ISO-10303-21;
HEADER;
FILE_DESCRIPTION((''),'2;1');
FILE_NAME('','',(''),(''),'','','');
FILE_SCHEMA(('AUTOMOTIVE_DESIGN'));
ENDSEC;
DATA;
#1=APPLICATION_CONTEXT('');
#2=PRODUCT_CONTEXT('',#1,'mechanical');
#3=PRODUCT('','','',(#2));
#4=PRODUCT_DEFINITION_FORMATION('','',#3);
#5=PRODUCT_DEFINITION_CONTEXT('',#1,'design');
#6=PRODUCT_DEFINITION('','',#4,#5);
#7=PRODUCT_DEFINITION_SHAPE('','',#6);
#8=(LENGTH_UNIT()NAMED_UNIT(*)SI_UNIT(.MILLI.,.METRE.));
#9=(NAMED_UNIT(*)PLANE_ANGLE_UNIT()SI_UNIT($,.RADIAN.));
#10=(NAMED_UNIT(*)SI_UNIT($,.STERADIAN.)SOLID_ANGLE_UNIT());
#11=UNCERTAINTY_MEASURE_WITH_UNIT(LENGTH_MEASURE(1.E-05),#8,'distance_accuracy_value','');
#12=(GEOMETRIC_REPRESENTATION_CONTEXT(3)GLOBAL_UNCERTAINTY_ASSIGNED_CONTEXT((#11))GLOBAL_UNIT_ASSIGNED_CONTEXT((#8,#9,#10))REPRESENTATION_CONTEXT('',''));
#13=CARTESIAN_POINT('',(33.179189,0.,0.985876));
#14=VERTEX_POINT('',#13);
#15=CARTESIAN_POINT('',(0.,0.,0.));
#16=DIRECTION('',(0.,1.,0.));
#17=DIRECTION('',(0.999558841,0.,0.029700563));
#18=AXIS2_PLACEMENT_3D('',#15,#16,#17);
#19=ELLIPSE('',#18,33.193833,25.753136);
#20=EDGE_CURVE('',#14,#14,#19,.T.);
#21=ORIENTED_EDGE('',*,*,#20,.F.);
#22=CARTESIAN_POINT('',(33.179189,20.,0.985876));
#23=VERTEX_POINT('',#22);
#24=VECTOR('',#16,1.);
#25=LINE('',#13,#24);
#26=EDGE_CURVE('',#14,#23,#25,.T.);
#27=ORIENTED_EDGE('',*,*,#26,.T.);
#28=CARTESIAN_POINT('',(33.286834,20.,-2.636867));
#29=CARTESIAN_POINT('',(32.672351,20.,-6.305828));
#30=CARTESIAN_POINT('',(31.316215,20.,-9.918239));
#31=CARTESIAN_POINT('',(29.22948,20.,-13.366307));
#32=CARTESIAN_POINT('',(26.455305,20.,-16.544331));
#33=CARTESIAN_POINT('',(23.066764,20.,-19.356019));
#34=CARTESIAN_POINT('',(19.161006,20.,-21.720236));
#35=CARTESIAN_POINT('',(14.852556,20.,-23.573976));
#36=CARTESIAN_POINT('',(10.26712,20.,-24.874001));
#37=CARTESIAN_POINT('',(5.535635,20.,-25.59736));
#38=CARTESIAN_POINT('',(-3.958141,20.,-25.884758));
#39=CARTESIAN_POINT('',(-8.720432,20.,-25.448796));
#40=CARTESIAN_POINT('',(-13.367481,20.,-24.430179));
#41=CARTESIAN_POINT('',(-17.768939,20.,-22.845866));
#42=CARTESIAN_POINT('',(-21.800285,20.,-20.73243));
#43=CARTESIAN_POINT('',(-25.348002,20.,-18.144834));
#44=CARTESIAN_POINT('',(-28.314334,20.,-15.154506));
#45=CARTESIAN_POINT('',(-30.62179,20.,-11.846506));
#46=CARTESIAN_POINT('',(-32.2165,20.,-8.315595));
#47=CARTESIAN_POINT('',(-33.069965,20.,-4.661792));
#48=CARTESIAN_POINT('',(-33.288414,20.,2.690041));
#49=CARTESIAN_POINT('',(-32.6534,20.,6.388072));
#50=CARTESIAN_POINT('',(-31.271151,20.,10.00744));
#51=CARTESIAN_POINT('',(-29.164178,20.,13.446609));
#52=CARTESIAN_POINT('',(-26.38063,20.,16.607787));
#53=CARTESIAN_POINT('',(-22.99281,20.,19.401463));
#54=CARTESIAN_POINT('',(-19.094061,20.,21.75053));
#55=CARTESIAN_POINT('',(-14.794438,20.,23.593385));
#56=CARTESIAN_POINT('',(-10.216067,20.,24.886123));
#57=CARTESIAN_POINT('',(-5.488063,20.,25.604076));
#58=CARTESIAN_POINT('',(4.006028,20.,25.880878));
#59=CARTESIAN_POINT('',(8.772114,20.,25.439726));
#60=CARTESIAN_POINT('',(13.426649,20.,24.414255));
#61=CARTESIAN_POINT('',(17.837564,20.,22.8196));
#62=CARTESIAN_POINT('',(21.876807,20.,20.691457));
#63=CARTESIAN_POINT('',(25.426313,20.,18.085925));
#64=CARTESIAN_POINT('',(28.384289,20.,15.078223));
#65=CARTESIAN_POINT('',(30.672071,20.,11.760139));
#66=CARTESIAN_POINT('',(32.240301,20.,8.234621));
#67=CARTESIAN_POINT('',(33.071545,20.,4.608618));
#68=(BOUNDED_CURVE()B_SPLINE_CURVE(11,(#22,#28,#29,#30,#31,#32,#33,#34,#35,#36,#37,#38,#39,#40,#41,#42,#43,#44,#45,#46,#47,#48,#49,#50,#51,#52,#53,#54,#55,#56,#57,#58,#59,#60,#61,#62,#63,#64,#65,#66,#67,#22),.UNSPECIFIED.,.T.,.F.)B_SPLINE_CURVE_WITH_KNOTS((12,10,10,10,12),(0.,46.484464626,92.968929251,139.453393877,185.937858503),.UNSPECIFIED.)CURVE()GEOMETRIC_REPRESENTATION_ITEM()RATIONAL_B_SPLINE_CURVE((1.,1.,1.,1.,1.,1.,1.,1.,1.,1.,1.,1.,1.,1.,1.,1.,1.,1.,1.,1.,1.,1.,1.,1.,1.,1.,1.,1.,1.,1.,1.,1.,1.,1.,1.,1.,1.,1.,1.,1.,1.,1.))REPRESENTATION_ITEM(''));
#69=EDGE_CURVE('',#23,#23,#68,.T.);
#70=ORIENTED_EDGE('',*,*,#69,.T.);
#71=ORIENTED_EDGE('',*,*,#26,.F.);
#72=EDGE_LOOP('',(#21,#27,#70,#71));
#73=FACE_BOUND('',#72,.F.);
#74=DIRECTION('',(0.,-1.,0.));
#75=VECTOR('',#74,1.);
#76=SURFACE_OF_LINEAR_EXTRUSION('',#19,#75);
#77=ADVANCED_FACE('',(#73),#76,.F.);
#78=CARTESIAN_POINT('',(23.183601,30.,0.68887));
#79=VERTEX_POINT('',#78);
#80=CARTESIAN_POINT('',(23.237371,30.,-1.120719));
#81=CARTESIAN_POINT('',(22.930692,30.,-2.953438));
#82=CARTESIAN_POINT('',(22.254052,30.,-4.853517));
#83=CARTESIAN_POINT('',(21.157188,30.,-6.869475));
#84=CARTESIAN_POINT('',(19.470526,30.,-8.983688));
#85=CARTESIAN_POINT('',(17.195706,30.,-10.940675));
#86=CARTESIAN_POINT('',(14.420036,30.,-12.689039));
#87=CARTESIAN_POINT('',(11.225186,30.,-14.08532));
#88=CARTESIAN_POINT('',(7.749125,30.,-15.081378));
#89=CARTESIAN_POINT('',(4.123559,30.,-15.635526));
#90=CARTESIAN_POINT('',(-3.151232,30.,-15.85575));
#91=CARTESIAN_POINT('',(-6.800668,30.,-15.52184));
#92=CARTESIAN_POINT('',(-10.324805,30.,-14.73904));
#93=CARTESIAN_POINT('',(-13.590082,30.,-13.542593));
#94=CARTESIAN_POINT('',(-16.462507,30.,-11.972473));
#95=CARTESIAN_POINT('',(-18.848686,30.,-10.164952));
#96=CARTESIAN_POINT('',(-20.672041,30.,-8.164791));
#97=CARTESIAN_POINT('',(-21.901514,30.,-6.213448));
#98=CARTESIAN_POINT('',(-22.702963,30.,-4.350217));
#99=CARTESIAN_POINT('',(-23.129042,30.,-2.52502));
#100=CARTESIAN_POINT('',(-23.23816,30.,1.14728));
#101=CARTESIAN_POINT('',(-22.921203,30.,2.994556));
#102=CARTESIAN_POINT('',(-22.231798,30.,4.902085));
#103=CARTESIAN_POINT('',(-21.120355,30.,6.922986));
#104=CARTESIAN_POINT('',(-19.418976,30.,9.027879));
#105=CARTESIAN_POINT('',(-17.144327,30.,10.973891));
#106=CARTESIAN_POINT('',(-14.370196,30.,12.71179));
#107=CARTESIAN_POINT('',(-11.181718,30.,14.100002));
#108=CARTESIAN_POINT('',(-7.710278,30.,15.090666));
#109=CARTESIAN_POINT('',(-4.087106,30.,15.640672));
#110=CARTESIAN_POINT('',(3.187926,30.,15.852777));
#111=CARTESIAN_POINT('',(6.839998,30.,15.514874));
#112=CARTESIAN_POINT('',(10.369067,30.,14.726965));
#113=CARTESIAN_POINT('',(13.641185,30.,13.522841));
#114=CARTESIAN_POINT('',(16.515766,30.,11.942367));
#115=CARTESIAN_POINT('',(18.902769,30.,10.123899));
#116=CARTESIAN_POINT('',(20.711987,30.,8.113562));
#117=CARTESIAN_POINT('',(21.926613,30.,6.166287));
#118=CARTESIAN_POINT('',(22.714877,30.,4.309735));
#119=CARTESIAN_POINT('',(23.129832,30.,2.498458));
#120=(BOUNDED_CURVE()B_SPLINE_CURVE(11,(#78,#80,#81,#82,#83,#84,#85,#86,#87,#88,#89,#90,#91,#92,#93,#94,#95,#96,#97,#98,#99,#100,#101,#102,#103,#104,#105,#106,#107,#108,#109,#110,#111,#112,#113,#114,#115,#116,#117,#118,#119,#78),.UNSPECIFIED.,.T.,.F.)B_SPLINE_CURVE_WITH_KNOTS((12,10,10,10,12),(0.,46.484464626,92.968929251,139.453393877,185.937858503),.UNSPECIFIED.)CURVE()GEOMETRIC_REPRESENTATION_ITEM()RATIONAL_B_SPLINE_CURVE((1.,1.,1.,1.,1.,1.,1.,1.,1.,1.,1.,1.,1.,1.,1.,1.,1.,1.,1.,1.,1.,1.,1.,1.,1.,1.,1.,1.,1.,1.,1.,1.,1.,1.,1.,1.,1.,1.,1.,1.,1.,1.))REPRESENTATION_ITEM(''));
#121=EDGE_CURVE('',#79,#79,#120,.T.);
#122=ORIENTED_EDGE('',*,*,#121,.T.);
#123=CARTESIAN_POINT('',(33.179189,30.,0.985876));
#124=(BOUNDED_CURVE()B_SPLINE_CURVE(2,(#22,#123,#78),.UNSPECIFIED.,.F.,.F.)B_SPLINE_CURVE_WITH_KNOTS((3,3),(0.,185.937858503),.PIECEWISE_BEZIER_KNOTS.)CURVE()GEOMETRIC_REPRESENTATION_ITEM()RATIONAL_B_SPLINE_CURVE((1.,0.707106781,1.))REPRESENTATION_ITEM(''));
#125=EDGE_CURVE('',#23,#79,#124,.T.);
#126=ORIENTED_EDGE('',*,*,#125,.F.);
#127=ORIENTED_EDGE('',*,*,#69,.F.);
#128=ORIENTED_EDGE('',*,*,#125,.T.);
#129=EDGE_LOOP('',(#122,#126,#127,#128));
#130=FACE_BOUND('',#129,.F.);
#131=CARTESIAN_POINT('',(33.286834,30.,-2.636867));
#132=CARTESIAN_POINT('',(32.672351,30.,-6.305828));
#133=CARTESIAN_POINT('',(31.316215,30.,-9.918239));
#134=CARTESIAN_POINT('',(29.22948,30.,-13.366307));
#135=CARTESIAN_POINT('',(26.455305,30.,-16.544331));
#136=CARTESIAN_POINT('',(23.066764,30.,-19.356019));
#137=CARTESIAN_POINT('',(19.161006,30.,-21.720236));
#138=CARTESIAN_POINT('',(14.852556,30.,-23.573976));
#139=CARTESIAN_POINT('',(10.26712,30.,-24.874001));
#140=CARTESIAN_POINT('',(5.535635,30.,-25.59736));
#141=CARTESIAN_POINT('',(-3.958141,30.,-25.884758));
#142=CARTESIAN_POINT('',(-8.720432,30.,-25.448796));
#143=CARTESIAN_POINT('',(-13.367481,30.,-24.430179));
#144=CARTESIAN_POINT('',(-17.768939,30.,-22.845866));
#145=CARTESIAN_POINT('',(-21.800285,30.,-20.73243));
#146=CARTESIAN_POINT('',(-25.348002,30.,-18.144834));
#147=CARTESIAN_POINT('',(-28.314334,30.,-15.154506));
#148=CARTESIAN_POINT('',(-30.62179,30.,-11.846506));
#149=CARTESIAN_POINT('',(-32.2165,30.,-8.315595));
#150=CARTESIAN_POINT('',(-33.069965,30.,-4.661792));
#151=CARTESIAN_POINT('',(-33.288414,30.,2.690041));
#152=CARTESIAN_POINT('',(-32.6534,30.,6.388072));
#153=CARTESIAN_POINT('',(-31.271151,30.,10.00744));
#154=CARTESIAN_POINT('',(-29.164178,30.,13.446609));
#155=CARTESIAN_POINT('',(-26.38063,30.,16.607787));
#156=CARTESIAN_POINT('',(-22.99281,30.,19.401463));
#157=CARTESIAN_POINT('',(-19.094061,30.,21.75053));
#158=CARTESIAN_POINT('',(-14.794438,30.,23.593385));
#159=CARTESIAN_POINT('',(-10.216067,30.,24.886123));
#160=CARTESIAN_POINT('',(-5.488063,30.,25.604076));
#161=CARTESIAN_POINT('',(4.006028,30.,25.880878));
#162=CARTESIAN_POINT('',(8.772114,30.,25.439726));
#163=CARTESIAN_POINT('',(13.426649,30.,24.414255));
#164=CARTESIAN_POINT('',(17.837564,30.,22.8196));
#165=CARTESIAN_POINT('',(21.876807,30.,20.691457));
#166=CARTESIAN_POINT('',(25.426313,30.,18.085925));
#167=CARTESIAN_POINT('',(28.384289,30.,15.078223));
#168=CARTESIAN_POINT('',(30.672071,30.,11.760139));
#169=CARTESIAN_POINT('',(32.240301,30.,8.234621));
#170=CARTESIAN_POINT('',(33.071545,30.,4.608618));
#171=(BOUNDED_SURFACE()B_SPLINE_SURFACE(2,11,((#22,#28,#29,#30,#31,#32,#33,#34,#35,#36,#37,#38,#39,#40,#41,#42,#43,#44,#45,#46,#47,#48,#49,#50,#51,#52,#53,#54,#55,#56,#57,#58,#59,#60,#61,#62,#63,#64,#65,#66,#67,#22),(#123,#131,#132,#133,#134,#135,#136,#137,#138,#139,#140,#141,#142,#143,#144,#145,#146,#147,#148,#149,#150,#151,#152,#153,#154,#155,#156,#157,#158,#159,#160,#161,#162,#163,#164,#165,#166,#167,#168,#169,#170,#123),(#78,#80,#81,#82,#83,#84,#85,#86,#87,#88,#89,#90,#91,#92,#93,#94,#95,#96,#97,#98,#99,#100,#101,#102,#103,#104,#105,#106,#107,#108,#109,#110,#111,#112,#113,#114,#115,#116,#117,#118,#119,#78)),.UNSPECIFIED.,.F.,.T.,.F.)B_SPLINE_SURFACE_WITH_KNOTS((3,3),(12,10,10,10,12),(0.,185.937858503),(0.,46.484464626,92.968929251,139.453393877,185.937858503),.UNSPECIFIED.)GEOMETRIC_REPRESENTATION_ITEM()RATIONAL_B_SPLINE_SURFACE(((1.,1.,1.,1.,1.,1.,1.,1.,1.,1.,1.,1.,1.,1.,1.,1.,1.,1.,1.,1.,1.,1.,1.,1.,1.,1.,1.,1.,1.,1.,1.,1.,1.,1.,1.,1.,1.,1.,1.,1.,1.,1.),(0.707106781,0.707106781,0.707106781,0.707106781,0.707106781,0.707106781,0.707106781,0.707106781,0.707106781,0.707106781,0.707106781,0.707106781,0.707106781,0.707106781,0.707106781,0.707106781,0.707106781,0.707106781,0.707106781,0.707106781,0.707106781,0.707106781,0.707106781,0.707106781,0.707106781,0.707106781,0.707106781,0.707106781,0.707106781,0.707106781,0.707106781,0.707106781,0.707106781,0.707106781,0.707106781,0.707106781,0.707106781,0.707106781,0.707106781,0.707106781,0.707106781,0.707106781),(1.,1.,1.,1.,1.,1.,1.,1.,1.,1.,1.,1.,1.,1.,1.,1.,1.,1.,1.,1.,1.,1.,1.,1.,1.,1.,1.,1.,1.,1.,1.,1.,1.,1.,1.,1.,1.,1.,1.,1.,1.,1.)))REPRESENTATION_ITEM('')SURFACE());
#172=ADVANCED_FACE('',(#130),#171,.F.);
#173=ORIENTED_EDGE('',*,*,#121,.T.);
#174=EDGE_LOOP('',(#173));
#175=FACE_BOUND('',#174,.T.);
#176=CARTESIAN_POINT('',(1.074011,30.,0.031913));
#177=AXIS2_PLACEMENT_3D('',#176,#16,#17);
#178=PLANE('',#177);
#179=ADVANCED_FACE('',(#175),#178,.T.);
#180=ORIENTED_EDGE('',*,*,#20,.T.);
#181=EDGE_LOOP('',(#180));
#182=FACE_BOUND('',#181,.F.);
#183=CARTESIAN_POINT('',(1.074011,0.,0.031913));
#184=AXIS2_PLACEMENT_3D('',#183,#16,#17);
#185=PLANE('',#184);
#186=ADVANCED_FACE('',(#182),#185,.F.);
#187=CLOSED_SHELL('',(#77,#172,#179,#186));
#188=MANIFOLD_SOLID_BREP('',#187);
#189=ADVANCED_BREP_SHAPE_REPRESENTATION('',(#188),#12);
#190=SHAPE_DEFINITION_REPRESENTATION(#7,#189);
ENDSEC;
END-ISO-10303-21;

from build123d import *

# Parameters (mm, degrees)
SKIZZE4_RX                      = 33.193833254
SKIZZE4_RY                      = 25.753135841
AUFSATZ_LINEAR_AUSTRAGEN2_DEPTH = 30
VERRUNDUNG4_R                   = 10


with BuildPart() as part:
    # Skizze4 → Aufsatz-Linear austragen2 (new body)
    with BuildSketch(Plane(origin=(0, 0, 0), x_dir=(1, 0, 0), z_dir=(0, 1, 0))):
        with Locations(Location((0, 0), (0, 0, -1.701967181))):
            Ellipse(SKIZZE4_RX, SKIZZE4_RY)
    extrude(amount=AUFSATZ_LINEAR_AUSTRAGEN2_DEPTH)

    # Verrundung4
    verrundung4_edges = [part.edges().sort_by_distance(p)[0] for p in [
        (-33.179368226, 30, -0.979829594),
    ]]
    fillet(verrundung4_edges, radius=VERRUNDUNG4_R)


solid = part.part
